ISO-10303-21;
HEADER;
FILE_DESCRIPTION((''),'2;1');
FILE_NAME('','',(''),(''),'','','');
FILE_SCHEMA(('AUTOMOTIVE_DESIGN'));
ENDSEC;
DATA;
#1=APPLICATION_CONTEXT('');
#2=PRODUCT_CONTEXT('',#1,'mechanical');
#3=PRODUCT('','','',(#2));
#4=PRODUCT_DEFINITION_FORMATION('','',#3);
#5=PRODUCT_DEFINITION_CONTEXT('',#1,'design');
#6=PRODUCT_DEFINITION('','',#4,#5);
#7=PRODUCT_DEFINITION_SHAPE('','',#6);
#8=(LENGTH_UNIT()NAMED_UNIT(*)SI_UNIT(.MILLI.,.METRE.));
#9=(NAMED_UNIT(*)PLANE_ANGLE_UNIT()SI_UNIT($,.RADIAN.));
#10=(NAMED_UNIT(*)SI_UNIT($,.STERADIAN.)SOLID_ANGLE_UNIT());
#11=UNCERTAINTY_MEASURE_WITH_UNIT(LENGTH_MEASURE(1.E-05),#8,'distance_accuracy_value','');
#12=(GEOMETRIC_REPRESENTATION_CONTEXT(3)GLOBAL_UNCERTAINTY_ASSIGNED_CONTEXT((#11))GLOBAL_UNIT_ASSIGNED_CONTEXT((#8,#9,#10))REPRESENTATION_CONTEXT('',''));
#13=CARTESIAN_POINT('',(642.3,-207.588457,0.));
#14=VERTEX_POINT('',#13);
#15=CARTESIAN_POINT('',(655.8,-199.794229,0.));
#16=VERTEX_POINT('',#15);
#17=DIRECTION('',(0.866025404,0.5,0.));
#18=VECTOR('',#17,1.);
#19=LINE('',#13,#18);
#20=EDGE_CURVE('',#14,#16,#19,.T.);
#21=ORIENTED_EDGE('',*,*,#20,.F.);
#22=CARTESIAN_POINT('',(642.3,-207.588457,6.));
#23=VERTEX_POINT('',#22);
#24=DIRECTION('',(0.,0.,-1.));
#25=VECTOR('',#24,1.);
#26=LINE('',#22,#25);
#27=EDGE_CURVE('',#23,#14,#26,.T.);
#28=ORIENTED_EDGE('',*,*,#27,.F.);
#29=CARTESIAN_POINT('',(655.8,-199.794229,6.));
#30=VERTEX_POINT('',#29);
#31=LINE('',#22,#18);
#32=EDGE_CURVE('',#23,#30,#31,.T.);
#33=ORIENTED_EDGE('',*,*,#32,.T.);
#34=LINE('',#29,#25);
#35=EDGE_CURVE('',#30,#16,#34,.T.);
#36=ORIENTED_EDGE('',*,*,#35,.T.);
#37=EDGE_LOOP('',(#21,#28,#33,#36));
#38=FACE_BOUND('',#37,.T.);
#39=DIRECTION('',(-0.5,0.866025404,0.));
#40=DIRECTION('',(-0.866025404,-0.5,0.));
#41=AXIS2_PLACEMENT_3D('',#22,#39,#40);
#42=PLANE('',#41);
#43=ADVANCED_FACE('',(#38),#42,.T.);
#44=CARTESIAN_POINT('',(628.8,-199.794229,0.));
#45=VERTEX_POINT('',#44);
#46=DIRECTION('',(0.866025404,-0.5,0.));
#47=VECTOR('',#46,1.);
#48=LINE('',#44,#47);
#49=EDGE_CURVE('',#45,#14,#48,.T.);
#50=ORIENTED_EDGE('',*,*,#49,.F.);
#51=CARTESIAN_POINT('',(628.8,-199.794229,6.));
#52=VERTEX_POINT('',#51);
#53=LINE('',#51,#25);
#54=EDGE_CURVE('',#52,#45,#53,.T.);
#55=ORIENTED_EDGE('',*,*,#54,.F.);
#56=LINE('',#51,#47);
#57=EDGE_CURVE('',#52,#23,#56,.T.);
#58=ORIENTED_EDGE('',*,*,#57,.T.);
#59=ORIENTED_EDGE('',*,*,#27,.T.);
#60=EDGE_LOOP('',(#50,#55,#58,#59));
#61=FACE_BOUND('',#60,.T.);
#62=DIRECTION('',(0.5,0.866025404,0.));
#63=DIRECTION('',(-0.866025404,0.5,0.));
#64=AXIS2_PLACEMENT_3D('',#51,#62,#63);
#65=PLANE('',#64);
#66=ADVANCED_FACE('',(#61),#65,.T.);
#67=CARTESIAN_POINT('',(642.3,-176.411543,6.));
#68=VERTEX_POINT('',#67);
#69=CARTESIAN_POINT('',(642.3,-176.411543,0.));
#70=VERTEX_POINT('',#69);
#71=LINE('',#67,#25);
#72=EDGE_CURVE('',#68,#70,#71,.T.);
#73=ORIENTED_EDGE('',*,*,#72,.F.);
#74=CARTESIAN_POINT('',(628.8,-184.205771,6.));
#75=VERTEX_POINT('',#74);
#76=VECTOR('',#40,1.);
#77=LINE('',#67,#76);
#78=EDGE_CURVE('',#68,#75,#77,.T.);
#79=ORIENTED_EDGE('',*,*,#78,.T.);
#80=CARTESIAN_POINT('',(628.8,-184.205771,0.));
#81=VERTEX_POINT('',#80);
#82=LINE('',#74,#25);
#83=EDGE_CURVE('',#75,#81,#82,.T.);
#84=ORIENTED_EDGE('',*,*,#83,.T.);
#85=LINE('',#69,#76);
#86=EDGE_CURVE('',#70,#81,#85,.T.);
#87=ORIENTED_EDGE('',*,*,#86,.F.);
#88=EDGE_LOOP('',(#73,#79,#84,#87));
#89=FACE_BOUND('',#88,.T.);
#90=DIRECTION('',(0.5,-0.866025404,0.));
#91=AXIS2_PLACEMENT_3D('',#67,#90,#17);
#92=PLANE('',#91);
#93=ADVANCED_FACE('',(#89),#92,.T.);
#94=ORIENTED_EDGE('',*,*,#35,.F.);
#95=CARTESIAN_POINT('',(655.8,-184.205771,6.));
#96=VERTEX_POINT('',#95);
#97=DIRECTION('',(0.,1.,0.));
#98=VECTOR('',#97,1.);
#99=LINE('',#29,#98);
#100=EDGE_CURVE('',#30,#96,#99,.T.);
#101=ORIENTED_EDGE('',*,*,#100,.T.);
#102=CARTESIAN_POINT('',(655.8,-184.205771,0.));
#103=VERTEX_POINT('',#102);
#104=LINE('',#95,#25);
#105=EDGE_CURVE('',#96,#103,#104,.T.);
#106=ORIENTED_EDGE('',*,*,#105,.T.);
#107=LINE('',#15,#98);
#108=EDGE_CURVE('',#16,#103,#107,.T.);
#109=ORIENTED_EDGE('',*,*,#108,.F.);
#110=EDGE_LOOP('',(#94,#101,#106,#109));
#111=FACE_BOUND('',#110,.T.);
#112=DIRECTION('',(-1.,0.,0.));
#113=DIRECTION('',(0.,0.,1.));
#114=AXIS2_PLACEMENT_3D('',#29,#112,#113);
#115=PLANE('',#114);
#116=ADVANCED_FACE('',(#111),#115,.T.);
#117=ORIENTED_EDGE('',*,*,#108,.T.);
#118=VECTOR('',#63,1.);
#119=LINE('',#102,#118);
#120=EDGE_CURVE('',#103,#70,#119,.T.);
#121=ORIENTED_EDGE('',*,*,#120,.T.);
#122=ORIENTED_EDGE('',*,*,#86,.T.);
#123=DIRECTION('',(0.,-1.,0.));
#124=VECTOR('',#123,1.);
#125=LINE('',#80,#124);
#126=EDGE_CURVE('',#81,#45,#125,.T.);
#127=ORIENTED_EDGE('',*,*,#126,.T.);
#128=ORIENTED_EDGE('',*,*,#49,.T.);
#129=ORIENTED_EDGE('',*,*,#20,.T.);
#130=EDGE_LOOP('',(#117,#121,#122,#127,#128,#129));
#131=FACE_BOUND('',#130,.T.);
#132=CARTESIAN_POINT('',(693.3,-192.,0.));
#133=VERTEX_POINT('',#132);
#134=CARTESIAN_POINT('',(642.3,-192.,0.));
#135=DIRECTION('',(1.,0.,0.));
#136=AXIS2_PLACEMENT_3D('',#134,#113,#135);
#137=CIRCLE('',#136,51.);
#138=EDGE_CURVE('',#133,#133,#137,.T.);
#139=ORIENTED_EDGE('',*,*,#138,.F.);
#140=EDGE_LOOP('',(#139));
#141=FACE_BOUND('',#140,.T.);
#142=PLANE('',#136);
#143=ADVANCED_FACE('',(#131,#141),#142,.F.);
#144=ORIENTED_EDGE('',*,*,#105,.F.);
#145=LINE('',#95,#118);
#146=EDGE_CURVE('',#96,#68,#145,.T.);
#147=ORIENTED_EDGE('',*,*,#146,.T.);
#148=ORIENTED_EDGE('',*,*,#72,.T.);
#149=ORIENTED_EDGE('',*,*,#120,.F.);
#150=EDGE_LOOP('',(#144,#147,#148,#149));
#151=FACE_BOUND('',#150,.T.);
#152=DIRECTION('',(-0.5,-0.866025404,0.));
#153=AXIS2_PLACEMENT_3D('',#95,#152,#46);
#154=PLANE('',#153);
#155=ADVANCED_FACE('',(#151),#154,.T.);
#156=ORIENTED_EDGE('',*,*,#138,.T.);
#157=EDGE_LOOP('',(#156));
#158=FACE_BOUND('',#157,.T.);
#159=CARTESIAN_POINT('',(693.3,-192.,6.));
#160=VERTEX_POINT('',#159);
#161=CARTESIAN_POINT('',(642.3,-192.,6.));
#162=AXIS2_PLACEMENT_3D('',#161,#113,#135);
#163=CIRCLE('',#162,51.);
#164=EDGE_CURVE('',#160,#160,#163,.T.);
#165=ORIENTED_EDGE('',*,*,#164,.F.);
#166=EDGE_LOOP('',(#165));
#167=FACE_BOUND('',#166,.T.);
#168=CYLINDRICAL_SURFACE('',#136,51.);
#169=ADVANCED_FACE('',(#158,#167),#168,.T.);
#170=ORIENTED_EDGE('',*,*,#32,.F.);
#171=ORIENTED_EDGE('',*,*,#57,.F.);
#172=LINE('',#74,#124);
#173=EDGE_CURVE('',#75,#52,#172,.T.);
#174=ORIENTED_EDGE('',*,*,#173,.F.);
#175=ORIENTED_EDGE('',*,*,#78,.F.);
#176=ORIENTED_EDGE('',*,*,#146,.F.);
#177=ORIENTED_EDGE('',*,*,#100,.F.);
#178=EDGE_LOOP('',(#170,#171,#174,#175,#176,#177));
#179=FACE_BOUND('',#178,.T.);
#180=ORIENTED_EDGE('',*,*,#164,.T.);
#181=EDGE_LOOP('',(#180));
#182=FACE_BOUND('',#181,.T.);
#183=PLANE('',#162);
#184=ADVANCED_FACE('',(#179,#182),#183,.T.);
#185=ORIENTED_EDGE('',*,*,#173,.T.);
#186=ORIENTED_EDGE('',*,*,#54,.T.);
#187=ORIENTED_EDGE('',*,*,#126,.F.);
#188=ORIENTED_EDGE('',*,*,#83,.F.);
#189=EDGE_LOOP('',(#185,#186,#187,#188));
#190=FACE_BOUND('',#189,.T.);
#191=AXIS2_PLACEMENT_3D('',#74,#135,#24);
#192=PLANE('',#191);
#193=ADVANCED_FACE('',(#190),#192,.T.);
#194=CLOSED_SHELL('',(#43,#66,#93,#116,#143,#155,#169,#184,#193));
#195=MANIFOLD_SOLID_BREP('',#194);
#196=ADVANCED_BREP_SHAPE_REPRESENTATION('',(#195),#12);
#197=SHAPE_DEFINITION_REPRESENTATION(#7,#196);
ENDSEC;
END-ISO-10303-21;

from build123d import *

# Parameters (mm, degrees)
MODEL_R             = 25
BOSS_EXTRUDE1_DEPTH = 6
BOSS_EXTRUDE2_START = -6
SKETCH2_R           = 51
SKETCH2_R_2         = 25
BOSS_EXTRUDE2_DEPTH = 6


with BuildPart() as part:
    # Model → Boss-Extrude1 (new body)
    with BuildSketch(Plane.XY):
        with Locations((642.3, -192)):
            Circle(MODEL_R)
        Polygon((628.8, -184.205771366), (628.8, -199.794228634), (642.3, -207.588457268), (655.8, -199.794228634), (655.8, -184.205771366), (642.3, -176.411542732), align=None, mode=Mode.SUBTRACT)
    extrude(amount=BOSS_EXTRUDE1_DEPTH)

    # Sketch2 → Boss-Extrude2 (add)
    with BuildSketch(Plane.XY.offset(6).offset(BOSS_EXTRUDE2_START)):
        with Locations((642.3, -192)):
            Circle(SKETCH2_R)
        with Locations((642.3, -192)):
            Circle(SKETCH2_R_2, mode=Mode.SUBTRACT)
    extrude(amount=BOSS_EXTRUDE2_DEPTH)


solid = part.part
